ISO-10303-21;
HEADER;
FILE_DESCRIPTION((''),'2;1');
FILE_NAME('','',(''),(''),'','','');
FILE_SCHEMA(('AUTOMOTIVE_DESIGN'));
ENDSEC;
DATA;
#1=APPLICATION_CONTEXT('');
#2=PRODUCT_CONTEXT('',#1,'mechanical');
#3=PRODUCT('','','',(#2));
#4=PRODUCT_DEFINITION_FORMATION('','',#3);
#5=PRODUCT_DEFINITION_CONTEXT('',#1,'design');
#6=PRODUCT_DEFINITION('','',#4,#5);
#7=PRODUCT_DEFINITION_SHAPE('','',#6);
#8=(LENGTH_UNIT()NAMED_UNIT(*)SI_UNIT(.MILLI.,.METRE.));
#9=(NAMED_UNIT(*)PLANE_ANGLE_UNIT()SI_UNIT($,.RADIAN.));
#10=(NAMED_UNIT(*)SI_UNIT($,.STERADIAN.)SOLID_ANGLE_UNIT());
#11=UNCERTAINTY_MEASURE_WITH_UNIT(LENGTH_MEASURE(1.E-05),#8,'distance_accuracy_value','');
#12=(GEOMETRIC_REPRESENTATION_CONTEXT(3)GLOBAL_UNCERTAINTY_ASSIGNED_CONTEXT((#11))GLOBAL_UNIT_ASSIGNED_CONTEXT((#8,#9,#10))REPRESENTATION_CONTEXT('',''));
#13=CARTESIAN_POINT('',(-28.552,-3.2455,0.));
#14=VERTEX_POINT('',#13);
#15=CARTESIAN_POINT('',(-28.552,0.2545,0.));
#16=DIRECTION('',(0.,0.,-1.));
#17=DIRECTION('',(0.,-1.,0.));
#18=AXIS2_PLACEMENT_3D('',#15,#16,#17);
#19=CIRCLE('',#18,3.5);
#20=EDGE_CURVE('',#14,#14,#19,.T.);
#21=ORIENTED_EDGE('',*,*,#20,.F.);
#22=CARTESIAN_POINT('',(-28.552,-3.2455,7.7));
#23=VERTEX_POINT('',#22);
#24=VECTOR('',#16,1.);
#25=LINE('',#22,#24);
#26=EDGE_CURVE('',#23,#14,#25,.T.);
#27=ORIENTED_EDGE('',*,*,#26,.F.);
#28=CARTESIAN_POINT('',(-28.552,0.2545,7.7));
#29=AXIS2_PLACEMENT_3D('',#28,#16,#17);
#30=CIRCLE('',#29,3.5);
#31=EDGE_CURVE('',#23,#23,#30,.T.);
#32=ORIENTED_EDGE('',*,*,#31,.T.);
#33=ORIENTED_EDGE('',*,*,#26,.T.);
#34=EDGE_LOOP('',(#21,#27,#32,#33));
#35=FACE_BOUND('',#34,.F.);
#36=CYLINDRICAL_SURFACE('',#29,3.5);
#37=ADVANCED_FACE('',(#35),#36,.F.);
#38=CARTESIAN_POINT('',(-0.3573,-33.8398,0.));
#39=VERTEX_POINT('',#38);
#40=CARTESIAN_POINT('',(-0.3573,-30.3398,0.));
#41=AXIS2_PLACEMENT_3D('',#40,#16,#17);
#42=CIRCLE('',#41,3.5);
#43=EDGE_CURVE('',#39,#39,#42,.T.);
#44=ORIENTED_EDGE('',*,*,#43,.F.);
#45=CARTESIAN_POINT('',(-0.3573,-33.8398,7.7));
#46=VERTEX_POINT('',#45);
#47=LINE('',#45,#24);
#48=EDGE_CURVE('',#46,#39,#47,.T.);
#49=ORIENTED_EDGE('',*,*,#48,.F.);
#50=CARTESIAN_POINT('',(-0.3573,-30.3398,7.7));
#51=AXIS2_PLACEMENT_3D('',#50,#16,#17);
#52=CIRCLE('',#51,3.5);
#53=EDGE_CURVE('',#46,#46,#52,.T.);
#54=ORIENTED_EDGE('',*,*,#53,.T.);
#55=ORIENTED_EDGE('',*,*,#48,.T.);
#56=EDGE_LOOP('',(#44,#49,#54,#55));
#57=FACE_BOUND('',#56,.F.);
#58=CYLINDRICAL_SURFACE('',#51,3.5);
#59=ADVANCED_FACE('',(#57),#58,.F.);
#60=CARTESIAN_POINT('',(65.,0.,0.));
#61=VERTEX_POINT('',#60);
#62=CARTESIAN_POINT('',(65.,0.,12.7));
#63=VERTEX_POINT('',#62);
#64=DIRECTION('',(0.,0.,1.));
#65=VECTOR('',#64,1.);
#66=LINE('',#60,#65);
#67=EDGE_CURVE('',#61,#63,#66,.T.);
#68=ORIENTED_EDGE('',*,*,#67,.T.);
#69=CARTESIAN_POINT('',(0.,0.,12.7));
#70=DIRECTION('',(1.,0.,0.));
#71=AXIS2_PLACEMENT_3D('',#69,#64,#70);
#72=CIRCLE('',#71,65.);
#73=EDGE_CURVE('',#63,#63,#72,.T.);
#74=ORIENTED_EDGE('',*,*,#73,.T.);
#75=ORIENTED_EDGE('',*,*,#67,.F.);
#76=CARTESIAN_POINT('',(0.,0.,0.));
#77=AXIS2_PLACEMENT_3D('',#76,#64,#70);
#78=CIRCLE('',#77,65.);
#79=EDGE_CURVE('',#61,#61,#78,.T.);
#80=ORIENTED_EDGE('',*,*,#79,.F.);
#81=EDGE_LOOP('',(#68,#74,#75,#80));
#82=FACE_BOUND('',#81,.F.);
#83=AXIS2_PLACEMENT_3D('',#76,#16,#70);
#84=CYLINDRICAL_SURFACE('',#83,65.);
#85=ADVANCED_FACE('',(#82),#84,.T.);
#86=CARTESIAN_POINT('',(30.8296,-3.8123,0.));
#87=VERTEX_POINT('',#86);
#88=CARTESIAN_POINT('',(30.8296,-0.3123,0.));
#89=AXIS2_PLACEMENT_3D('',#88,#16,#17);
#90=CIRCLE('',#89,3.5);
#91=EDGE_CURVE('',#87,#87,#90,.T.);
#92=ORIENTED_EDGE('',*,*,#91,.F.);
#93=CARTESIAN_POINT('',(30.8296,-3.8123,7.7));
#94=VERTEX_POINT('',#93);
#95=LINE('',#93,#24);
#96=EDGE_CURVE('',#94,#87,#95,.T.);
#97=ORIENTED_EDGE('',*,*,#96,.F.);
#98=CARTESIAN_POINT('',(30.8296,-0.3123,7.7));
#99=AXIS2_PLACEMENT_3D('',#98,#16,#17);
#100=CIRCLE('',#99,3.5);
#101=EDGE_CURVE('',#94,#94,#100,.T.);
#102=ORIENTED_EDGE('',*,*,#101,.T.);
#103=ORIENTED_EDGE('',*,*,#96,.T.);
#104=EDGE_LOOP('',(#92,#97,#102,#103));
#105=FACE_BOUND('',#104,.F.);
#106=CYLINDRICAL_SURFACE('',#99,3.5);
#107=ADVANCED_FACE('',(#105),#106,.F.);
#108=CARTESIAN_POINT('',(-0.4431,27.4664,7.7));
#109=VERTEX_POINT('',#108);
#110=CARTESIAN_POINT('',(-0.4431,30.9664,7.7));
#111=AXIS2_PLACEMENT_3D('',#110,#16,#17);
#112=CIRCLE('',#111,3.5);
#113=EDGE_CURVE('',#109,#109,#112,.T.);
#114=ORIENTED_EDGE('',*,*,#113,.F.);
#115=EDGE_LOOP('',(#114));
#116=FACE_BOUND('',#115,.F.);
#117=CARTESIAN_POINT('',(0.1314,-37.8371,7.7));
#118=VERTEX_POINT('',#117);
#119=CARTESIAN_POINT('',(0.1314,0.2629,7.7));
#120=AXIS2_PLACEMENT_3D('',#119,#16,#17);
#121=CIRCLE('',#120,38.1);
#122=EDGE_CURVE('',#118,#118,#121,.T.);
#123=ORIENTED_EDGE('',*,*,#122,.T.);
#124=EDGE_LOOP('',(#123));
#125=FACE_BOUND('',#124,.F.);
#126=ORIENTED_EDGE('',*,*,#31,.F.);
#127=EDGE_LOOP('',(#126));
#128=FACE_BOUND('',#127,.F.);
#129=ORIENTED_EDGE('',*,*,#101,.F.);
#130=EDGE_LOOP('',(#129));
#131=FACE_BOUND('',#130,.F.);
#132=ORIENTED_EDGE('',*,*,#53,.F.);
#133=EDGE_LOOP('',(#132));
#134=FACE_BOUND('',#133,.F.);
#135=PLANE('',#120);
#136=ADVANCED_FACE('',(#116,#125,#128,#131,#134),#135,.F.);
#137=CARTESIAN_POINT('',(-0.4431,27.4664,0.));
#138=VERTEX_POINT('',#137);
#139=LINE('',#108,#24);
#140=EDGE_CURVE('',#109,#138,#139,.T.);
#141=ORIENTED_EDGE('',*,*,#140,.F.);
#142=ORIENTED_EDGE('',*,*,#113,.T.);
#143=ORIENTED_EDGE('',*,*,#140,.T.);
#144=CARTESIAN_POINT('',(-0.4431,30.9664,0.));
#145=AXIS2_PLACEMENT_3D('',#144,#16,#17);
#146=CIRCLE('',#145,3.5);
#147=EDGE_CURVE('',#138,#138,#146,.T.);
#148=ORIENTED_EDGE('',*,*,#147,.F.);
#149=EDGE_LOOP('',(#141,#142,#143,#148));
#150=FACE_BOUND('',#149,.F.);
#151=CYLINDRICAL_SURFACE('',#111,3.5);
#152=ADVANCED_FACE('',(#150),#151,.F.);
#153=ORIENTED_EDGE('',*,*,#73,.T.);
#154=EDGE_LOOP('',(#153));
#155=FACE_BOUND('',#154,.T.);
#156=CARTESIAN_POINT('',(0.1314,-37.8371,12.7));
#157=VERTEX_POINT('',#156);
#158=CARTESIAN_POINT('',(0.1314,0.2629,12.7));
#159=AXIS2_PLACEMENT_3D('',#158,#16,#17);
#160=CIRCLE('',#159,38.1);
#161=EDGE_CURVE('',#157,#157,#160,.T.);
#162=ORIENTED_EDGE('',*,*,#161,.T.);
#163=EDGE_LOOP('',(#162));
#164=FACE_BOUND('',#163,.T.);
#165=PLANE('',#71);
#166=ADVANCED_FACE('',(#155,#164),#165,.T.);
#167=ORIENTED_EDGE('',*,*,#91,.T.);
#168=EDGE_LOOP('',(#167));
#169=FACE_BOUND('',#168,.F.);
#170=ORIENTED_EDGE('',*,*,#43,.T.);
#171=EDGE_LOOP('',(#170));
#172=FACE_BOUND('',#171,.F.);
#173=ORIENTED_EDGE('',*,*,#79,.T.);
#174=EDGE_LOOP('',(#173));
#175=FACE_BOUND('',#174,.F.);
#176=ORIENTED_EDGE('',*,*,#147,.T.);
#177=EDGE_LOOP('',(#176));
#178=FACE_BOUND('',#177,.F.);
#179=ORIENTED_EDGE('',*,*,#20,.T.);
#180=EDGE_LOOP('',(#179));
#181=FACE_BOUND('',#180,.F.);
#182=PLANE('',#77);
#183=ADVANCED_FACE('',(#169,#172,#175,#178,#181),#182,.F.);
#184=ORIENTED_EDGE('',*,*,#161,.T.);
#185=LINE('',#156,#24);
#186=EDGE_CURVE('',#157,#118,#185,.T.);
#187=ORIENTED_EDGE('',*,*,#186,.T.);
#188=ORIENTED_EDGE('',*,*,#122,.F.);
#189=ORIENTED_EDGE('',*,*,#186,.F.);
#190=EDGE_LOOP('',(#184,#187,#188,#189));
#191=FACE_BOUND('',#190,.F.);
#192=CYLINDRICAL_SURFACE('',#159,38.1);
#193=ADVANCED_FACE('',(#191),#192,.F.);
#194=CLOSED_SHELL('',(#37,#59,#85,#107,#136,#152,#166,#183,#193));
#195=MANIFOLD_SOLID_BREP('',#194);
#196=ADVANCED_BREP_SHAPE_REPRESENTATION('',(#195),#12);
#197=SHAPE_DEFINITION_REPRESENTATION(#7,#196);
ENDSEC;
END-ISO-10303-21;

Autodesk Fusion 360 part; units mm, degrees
sketch "Sketch1" plane through (0, 0, 0) normal (0, 0, 1) x (1, 0, 0)
  circle A0 centre (0, 0) radius 65
  dimension "d1" = 130
extrude "Extrude1" add sketch "Sketch1" along normal blind 12.7
hole "Hole1" at (0.1314, 0.2629, 12.7) direction (0, 0, -1) diameter 76.2 depth 5 tip angle 180
hole "Hole2" at (-28.552, 0.2545, 7.7) direction (0, 0, -1) diameter 7 depth 7.7 tip angle 180
hole "Hole3" at (-0.3573, -30.3398, 7.7) direction (0, 0, -1) diameter 7 depth 7.7 tip angle 180
hole "Hole4" at (-0.4431, 30.9664, 7.7) direction (0, 0, -1) diameter 7 depth 7.7 tip angle 180
hole "Hole5" at (30.8296, -0.3123, 7.7) direction (0, 0, -1) diameter 7 depth 7.7 tip angle 180
sketch "Sketch2" plane through (0, 0, 0) normal (0, 0, 1) x (1, 0, 0)
sketch "Sketch3" plane through (0, 0, 12.7) normal (0, 0, 1) x (-1, 0, 0)
  circle A0 centre (-0.1314, -0.2629) radius 38.1
  circle A1 centre (0, 0) radius 65
